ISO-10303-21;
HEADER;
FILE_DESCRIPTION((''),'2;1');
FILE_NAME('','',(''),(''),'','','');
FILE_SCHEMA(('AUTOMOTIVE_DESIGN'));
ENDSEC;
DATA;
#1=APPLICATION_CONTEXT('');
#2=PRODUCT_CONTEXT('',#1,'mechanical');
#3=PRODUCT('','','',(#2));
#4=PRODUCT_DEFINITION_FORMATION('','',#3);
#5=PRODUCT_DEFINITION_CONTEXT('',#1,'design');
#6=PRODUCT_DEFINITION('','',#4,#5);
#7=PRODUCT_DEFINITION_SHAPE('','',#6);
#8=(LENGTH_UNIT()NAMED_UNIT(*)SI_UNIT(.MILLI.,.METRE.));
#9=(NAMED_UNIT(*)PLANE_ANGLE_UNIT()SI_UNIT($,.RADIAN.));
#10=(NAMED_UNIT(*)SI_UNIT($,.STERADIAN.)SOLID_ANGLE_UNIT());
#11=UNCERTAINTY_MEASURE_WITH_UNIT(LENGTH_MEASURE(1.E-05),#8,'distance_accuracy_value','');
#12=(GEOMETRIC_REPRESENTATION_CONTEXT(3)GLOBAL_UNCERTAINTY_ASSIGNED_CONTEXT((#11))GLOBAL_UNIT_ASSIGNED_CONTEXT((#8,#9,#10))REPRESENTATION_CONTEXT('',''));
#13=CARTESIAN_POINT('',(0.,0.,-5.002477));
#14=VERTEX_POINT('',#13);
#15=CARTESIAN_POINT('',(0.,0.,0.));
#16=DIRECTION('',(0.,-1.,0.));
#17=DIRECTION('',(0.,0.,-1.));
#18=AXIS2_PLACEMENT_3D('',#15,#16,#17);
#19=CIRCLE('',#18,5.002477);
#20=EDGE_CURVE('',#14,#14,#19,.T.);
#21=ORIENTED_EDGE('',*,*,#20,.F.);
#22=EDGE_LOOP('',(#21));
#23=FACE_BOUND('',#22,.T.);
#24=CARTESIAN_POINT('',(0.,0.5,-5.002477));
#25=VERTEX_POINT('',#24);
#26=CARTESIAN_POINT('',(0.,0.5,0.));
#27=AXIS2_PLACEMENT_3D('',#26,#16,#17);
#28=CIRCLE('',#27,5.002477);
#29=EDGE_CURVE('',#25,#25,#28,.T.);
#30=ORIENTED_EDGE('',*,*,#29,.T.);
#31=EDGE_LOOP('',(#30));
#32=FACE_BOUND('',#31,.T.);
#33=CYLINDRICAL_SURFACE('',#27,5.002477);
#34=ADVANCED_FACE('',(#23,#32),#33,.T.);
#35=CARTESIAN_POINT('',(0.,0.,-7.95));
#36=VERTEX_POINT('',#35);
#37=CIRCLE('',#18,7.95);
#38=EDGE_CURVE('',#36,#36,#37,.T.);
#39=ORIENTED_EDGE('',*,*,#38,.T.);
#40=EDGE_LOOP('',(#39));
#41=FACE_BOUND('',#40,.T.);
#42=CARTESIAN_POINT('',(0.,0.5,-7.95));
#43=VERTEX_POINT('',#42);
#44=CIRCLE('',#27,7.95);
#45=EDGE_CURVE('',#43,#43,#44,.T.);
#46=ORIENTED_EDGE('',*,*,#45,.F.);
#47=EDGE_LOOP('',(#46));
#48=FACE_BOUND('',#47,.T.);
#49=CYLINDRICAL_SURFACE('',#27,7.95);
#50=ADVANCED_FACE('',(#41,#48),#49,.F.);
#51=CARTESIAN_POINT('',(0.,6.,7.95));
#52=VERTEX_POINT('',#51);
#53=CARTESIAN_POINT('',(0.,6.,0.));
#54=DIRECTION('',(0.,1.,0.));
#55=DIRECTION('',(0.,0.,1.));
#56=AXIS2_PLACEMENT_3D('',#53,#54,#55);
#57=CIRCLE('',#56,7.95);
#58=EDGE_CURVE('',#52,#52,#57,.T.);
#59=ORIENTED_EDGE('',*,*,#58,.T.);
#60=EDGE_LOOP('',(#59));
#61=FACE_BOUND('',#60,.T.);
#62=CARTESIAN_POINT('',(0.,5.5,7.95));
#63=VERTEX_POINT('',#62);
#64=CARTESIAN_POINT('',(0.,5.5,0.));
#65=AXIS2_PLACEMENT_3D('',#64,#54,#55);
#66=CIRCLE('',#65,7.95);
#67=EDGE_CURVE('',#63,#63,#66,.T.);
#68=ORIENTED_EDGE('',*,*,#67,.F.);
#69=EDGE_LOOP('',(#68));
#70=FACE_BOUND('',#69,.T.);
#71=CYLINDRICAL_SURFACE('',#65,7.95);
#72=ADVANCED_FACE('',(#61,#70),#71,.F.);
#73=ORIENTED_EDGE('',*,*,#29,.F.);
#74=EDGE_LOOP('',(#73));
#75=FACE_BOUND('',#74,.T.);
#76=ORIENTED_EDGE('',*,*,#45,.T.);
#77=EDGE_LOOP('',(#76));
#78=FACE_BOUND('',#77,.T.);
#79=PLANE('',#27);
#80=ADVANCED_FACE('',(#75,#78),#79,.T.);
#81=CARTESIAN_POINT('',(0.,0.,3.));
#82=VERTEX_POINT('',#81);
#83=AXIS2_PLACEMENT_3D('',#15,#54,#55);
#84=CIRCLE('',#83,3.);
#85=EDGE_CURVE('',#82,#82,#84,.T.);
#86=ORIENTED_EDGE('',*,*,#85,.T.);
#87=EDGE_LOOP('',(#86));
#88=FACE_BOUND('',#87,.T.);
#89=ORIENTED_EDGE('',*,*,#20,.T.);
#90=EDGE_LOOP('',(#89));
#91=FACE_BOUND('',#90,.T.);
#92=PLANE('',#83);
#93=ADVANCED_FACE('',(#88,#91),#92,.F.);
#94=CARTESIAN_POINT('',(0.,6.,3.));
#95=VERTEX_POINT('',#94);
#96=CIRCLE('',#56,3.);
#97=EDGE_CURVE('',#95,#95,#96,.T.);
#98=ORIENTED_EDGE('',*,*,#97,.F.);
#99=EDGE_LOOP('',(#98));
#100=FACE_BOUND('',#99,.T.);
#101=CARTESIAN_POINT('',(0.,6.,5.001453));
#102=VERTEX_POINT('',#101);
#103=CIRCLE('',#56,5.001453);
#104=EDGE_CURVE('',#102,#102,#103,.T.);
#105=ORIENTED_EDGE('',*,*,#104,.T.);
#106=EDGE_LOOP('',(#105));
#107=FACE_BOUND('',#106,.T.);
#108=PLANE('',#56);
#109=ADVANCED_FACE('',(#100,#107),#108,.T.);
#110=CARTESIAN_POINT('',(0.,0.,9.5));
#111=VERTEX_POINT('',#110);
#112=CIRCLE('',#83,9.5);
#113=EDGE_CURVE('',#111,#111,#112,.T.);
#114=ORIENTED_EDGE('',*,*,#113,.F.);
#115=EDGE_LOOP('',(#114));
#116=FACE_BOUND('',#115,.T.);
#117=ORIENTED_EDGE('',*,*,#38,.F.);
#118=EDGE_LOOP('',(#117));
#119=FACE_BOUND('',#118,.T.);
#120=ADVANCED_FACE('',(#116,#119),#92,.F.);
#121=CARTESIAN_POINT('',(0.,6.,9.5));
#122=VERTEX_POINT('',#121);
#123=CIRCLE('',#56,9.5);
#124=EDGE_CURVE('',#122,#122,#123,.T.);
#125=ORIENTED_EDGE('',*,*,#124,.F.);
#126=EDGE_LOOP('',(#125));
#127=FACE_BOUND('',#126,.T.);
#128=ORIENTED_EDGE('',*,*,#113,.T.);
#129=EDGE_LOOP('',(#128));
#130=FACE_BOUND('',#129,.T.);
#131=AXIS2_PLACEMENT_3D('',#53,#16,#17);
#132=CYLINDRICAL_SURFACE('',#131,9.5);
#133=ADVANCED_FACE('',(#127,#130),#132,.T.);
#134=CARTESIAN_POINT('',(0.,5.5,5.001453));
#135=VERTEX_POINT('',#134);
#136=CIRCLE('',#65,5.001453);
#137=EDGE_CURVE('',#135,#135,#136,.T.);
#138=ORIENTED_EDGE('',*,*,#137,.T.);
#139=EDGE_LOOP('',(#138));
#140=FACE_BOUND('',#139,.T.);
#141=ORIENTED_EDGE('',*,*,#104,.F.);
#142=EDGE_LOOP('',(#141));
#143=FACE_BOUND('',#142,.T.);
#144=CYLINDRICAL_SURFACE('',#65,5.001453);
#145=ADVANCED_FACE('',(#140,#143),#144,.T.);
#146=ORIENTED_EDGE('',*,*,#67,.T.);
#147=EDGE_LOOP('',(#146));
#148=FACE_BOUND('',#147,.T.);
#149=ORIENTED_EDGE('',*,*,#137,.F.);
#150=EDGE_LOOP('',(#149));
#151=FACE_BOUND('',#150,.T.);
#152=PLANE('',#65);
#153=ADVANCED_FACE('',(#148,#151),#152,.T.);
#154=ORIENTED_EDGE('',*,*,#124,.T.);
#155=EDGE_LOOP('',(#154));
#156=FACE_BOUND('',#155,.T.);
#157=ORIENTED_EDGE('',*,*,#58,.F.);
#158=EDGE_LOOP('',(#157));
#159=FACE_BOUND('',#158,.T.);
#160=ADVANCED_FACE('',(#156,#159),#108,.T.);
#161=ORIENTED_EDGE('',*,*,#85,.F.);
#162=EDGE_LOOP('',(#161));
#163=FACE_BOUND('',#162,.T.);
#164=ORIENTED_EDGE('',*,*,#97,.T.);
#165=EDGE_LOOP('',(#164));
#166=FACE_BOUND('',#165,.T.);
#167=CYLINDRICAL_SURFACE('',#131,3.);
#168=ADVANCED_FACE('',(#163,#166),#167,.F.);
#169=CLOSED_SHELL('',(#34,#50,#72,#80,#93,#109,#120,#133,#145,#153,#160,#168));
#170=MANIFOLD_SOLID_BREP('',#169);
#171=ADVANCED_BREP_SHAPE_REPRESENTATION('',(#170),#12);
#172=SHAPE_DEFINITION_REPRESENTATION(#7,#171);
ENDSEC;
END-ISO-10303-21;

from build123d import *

# Parameters (mm, degrees)
SKETCH1_R           = 9.5
SKETCH1_R_2         = 3
BOSS_EXTRUDE1_DEPTH = 6
SKETCH2_R           = 7.95
SKETCH2_R_2         = 5.001453451
CUT_EXTRUDE1_DEPTH  = 0.5
CUT_EXTRUDE2_START  = -0.5
SKETCH3_R           = 7.95
SKETCH3_R_2         = 5.002476721
CUT_EXTRUDE2_DEPTH  = 0.5


with BuildPart() as part:
    # Sketch1 → Boss-Extrude1 (new body)
    with BuildSketch(Plane(origin=(0, 0, 0), x_dir=(1, 0, 0), z_dir=(0, 1, 0))):
        with Locations(Location((0, 0, 0), (0, 0, 270))):
            Circle(SKETCH1_R)
        with Locations(Location((0, 0, 0), (0, 0, 270))):
            Circle(SKETCH1_R_2, mode=Mode.SUBTRACT)
    extrude(amount=BOSS_EXTRUDE1_DEPTH)

    # Sketch2 → Cut-Extrude1 (cut)
    with BuildSketch(Plane(origin=(0, 6, 0), x_dir=(1, 0, 0), z_dir=(0, 1, 0))):
        with Locations(Location((0, 0, 0), (0, 0, 270))):
            Circle(SKETCH2_R)
        with Locations(Location((0, 0, 0), (0, 0, 270))):
            Circle(SKETCH2_R_2, mode=Mode.SUBTRACT)
    extrude(amount=-CUT_EXTRUDE1_DEPTH, mode=Mode.SUBTRACT)

    # Sketch3 → Cut-Extrude2 (cut)
    with BuildSketch(Plane.XZ.offset(CUT_EXTRUDE2_START)):
        with Locations(Location((0, 0, 0), (0, 0, 90))):
            Circle(SKETCH3_R)
        with Locations(Location((0, 0, 0), (0, 0, 270))):
            Circle(SKETCH3_R_2, mode=Mode.SUBTRACT)
    extrude(amount=CUT_EXTRUDE2_DEPTH, mode=Mode.SUBTRACT)


solid = part.part
